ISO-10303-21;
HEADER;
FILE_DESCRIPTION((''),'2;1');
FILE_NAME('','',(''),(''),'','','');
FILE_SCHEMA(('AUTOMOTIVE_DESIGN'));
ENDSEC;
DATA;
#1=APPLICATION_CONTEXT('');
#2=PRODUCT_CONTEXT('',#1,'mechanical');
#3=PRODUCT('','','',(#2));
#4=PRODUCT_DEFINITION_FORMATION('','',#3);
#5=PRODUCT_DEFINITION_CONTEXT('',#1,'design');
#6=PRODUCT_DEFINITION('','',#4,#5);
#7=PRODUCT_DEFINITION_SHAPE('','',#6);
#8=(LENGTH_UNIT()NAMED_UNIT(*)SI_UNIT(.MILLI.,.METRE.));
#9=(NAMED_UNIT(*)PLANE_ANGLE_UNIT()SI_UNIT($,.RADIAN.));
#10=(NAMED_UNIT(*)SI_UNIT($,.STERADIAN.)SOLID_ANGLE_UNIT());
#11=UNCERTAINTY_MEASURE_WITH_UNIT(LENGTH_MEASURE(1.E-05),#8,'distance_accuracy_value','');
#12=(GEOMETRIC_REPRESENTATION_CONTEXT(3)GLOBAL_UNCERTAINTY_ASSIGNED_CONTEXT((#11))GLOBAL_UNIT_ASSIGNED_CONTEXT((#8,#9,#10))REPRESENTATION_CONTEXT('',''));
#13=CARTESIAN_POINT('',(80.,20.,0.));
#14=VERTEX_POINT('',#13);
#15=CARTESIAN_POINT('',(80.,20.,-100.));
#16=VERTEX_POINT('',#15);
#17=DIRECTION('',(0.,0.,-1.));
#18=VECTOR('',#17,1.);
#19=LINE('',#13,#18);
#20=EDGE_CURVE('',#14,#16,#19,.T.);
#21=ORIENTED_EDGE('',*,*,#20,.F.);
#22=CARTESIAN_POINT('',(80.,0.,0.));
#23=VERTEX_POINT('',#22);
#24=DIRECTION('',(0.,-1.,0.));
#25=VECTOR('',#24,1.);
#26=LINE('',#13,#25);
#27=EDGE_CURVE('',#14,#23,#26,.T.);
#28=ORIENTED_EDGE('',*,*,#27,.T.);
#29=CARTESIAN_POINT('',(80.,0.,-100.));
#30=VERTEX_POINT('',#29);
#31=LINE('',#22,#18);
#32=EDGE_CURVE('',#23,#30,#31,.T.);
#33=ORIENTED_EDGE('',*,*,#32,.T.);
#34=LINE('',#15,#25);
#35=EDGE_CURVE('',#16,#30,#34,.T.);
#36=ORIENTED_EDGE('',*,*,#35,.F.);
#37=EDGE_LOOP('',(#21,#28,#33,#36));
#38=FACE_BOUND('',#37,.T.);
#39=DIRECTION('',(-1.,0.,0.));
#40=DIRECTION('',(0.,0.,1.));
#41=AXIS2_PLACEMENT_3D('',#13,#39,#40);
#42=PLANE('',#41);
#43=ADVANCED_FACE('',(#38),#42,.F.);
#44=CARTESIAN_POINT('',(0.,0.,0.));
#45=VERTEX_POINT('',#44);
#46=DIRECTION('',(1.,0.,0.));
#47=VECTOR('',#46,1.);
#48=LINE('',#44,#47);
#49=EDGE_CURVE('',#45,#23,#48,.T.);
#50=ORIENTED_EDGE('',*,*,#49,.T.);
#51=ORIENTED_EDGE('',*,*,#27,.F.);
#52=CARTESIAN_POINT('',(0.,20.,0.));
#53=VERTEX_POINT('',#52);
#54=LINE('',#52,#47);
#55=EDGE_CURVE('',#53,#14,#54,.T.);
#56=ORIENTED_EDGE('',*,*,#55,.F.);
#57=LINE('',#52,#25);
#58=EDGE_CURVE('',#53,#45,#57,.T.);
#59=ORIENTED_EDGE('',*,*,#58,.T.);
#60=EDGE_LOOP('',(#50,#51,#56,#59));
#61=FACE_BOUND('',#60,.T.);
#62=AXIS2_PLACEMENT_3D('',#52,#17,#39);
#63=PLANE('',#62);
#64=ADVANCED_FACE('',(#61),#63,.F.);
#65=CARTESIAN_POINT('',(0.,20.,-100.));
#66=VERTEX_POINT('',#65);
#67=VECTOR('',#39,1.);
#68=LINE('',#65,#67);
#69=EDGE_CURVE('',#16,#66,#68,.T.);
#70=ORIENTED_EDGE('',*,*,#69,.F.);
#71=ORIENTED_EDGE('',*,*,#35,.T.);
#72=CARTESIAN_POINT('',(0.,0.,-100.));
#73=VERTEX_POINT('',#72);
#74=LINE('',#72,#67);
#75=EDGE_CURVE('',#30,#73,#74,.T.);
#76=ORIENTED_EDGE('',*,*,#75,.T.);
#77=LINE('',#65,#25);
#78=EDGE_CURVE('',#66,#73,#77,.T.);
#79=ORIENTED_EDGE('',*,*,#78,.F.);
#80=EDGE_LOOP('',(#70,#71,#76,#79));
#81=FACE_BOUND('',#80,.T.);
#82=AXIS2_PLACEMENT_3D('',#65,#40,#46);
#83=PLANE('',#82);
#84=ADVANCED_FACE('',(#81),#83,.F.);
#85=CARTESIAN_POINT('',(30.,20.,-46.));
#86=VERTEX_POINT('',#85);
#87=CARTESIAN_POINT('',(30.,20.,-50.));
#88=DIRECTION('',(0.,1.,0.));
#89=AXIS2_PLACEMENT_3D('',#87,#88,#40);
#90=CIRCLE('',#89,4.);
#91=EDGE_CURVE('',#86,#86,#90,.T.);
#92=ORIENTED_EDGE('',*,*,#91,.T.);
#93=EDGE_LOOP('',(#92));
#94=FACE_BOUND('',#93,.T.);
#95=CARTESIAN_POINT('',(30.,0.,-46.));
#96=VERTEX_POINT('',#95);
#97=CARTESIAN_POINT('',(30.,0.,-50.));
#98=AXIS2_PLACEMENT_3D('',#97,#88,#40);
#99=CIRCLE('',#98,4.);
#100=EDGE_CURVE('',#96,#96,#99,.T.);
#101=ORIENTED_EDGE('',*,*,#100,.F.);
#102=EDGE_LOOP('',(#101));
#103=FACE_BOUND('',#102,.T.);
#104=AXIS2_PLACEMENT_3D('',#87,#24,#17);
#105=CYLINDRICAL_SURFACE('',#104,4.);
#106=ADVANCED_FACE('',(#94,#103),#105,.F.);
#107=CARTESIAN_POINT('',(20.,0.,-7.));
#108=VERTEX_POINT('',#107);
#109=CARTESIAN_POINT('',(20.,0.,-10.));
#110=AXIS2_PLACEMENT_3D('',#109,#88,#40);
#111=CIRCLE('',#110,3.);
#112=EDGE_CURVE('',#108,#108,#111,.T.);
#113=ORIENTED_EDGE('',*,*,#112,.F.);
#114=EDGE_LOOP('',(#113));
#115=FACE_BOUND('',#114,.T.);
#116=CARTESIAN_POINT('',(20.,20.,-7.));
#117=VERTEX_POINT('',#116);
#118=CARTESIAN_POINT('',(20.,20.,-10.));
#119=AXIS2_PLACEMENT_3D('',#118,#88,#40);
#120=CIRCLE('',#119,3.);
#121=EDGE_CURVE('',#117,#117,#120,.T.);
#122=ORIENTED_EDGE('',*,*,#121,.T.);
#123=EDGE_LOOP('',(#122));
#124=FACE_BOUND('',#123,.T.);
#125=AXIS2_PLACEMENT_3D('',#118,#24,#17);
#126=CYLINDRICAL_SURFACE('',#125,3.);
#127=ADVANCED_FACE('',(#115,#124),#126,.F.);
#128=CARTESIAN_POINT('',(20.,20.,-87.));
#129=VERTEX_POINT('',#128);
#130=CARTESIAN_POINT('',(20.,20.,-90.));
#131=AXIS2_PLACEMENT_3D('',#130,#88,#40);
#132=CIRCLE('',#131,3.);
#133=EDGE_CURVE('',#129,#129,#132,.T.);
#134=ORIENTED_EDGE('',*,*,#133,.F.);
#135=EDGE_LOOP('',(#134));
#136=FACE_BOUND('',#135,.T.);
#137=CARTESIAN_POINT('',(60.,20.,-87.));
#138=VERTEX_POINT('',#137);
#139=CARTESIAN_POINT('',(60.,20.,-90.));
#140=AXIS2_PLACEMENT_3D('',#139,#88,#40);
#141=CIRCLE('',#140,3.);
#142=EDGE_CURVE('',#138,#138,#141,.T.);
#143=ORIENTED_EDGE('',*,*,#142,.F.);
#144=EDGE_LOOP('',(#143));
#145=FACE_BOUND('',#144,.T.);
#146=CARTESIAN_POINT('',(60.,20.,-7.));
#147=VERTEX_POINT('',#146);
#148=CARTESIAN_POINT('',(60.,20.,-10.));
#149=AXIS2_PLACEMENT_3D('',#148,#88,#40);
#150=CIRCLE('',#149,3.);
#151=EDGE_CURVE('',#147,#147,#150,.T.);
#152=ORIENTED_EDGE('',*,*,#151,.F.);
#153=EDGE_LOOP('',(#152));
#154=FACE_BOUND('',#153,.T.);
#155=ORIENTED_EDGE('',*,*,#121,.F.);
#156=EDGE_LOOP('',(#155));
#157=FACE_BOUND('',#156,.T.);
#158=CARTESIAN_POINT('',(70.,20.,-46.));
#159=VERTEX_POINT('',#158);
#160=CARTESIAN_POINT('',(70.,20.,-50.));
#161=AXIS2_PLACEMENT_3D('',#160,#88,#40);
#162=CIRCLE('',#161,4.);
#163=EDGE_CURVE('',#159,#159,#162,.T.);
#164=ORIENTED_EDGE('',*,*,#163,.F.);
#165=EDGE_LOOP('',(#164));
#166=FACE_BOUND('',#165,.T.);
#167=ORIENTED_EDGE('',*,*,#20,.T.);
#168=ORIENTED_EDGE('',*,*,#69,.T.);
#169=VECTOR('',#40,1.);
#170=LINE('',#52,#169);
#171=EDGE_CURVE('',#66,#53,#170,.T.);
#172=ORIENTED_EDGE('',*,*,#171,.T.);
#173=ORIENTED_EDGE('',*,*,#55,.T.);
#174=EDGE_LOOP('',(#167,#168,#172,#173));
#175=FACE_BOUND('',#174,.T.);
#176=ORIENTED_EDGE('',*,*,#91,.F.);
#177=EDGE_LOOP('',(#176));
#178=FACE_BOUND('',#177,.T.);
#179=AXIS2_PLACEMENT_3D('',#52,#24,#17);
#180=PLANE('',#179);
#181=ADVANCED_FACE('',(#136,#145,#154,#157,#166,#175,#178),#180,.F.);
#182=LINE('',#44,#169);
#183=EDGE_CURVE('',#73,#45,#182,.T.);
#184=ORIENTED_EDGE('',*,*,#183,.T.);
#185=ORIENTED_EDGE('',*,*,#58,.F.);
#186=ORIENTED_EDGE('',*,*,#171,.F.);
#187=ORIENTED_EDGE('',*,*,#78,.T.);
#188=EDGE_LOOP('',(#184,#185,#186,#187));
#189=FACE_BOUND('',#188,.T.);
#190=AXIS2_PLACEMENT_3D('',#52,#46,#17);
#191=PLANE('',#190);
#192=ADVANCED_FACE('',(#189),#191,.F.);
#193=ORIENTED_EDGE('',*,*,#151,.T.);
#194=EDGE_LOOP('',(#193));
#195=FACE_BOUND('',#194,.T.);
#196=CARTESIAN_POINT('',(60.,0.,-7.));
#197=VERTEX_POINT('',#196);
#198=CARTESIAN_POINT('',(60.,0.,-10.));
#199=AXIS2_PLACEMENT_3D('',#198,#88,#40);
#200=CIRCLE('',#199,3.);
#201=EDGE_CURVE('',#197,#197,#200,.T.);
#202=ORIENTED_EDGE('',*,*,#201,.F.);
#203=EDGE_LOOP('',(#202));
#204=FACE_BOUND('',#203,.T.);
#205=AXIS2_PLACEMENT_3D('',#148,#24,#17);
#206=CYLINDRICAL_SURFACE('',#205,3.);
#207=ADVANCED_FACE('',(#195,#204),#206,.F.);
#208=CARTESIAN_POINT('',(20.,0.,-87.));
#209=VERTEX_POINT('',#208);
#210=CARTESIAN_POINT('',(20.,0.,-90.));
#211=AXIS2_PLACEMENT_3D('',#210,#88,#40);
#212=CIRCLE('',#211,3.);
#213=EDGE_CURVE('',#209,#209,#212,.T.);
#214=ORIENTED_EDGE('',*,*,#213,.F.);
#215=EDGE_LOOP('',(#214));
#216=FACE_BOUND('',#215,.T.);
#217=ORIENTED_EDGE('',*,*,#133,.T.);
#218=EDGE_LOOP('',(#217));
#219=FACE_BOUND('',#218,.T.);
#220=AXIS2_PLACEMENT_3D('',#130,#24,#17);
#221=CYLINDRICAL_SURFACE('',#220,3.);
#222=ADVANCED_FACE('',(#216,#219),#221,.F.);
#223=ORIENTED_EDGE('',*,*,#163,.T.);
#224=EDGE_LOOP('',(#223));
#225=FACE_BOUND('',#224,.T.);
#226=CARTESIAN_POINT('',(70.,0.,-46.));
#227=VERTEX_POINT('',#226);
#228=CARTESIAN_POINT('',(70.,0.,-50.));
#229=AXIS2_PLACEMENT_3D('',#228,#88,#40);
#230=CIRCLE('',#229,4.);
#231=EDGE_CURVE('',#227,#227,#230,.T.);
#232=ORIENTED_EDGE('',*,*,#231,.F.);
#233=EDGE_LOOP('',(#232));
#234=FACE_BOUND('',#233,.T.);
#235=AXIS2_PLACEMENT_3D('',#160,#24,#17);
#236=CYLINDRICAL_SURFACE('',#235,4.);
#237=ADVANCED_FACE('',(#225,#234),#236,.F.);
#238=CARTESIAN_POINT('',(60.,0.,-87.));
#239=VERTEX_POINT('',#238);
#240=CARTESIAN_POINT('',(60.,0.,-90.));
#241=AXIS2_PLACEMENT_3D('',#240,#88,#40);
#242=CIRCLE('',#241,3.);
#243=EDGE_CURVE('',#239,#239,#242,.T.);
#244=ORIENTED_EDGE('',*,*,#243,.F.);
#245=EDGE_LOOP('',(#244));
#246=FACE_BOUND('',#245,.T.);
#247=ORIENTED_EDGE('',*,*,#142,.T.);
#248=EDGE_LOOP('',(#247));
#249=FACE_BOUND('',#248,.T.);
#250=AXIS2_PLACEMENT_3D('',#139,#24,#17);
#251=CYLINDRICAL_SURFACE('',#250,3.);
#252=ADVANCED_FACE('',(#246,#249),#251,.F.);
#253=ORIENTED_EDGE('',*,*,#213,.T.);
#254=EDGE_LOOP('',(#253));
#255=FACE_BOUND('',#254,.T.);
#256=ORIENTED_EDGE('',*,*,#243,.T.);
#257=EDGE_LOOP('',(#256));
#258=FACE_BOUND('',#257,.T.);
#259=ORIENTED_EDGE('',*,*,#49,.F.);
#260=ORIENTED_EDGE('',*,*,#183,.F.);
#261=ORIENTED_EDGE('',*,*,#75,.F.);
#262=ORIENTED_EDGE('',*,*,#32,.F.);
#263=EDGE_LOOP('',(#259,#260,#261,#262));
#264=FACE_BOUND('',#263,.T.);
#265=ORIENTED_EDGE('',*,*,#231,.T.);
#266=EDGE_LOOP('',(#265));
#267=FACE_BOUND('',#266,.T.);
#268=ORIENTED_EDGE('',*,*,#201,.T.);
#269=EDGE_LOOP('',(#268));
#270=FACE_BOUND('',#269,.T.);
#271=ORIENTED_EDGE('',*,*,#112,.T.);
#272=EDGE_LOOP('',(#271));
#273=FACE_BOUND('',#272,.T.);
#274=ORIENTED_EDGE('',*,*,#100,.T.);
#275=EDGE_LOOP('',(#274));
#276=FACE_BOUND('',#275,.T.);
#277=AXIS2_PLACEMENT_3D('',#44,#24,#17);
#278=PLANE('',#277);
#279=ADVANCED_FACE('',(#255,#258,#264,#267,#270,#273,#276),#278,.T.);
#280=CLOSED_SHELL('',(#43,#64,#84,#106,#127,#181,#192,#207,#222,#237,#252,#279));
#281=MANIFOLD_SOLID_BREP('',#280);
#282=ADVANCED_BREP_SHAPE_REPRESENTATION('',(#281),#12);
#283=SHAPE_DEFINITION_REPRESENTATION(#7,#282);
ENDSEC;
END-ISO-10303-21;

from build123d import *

# Parameters (mm, degrees)
SKETCH_1_W      = 80
SKETCH_1_H      = 100
SKETCH_1_R      = 3
SKETCH_1_R_2    = 4
EXTRUDE_1_DEPTH = 20


with BuildPart() as part:
    # Эскиз1 → Бобышка-Вытянуть1 (new body)
    with BuildSketch(Plane(origin=(0, 0, 0), x_dir=(1, 0, 0), z_dir=(0, 1, 0))):
        with Locations((40, 50)):
            Rectangle(SKETCH_1_W, SKETCH_1_H)
        with Locations(Location((20, 90, 0), (0, 0, 270))):
            Circle(SKETCH_1_R, mode=Mode.SUBTRACT)
        with Locations(Location((60, 90, 0), (0, 0, 270))):
            Circle(SKETCH_1_R, mode=Mode.SUBTRACT)
        with Locations(Location((20, 10, 0), (0, 0, 270))):
            Circle(SKETCH_1_R, mode=Mode.SUBTRACT)
        with Locations(Location((60, 10, 0), (0, 0, 270))):
            Circle(SKETCH_1_R, mode=Mode.SUBTRACT)
        with Locations(Location((30, 50, 0), (0, 0, 270))):
            Circle(SKETCH_1_R_2, mode=Mode.SUBTRACT)
        with Locations(Location((70, 50, 0), (0, 0, 270))):
            Circle(SKETCH_1_R_2, mode=Mode.SUBTRACT)
    extrude(amount=EXTRUDE_1_DEPTH)


solid = part.part
